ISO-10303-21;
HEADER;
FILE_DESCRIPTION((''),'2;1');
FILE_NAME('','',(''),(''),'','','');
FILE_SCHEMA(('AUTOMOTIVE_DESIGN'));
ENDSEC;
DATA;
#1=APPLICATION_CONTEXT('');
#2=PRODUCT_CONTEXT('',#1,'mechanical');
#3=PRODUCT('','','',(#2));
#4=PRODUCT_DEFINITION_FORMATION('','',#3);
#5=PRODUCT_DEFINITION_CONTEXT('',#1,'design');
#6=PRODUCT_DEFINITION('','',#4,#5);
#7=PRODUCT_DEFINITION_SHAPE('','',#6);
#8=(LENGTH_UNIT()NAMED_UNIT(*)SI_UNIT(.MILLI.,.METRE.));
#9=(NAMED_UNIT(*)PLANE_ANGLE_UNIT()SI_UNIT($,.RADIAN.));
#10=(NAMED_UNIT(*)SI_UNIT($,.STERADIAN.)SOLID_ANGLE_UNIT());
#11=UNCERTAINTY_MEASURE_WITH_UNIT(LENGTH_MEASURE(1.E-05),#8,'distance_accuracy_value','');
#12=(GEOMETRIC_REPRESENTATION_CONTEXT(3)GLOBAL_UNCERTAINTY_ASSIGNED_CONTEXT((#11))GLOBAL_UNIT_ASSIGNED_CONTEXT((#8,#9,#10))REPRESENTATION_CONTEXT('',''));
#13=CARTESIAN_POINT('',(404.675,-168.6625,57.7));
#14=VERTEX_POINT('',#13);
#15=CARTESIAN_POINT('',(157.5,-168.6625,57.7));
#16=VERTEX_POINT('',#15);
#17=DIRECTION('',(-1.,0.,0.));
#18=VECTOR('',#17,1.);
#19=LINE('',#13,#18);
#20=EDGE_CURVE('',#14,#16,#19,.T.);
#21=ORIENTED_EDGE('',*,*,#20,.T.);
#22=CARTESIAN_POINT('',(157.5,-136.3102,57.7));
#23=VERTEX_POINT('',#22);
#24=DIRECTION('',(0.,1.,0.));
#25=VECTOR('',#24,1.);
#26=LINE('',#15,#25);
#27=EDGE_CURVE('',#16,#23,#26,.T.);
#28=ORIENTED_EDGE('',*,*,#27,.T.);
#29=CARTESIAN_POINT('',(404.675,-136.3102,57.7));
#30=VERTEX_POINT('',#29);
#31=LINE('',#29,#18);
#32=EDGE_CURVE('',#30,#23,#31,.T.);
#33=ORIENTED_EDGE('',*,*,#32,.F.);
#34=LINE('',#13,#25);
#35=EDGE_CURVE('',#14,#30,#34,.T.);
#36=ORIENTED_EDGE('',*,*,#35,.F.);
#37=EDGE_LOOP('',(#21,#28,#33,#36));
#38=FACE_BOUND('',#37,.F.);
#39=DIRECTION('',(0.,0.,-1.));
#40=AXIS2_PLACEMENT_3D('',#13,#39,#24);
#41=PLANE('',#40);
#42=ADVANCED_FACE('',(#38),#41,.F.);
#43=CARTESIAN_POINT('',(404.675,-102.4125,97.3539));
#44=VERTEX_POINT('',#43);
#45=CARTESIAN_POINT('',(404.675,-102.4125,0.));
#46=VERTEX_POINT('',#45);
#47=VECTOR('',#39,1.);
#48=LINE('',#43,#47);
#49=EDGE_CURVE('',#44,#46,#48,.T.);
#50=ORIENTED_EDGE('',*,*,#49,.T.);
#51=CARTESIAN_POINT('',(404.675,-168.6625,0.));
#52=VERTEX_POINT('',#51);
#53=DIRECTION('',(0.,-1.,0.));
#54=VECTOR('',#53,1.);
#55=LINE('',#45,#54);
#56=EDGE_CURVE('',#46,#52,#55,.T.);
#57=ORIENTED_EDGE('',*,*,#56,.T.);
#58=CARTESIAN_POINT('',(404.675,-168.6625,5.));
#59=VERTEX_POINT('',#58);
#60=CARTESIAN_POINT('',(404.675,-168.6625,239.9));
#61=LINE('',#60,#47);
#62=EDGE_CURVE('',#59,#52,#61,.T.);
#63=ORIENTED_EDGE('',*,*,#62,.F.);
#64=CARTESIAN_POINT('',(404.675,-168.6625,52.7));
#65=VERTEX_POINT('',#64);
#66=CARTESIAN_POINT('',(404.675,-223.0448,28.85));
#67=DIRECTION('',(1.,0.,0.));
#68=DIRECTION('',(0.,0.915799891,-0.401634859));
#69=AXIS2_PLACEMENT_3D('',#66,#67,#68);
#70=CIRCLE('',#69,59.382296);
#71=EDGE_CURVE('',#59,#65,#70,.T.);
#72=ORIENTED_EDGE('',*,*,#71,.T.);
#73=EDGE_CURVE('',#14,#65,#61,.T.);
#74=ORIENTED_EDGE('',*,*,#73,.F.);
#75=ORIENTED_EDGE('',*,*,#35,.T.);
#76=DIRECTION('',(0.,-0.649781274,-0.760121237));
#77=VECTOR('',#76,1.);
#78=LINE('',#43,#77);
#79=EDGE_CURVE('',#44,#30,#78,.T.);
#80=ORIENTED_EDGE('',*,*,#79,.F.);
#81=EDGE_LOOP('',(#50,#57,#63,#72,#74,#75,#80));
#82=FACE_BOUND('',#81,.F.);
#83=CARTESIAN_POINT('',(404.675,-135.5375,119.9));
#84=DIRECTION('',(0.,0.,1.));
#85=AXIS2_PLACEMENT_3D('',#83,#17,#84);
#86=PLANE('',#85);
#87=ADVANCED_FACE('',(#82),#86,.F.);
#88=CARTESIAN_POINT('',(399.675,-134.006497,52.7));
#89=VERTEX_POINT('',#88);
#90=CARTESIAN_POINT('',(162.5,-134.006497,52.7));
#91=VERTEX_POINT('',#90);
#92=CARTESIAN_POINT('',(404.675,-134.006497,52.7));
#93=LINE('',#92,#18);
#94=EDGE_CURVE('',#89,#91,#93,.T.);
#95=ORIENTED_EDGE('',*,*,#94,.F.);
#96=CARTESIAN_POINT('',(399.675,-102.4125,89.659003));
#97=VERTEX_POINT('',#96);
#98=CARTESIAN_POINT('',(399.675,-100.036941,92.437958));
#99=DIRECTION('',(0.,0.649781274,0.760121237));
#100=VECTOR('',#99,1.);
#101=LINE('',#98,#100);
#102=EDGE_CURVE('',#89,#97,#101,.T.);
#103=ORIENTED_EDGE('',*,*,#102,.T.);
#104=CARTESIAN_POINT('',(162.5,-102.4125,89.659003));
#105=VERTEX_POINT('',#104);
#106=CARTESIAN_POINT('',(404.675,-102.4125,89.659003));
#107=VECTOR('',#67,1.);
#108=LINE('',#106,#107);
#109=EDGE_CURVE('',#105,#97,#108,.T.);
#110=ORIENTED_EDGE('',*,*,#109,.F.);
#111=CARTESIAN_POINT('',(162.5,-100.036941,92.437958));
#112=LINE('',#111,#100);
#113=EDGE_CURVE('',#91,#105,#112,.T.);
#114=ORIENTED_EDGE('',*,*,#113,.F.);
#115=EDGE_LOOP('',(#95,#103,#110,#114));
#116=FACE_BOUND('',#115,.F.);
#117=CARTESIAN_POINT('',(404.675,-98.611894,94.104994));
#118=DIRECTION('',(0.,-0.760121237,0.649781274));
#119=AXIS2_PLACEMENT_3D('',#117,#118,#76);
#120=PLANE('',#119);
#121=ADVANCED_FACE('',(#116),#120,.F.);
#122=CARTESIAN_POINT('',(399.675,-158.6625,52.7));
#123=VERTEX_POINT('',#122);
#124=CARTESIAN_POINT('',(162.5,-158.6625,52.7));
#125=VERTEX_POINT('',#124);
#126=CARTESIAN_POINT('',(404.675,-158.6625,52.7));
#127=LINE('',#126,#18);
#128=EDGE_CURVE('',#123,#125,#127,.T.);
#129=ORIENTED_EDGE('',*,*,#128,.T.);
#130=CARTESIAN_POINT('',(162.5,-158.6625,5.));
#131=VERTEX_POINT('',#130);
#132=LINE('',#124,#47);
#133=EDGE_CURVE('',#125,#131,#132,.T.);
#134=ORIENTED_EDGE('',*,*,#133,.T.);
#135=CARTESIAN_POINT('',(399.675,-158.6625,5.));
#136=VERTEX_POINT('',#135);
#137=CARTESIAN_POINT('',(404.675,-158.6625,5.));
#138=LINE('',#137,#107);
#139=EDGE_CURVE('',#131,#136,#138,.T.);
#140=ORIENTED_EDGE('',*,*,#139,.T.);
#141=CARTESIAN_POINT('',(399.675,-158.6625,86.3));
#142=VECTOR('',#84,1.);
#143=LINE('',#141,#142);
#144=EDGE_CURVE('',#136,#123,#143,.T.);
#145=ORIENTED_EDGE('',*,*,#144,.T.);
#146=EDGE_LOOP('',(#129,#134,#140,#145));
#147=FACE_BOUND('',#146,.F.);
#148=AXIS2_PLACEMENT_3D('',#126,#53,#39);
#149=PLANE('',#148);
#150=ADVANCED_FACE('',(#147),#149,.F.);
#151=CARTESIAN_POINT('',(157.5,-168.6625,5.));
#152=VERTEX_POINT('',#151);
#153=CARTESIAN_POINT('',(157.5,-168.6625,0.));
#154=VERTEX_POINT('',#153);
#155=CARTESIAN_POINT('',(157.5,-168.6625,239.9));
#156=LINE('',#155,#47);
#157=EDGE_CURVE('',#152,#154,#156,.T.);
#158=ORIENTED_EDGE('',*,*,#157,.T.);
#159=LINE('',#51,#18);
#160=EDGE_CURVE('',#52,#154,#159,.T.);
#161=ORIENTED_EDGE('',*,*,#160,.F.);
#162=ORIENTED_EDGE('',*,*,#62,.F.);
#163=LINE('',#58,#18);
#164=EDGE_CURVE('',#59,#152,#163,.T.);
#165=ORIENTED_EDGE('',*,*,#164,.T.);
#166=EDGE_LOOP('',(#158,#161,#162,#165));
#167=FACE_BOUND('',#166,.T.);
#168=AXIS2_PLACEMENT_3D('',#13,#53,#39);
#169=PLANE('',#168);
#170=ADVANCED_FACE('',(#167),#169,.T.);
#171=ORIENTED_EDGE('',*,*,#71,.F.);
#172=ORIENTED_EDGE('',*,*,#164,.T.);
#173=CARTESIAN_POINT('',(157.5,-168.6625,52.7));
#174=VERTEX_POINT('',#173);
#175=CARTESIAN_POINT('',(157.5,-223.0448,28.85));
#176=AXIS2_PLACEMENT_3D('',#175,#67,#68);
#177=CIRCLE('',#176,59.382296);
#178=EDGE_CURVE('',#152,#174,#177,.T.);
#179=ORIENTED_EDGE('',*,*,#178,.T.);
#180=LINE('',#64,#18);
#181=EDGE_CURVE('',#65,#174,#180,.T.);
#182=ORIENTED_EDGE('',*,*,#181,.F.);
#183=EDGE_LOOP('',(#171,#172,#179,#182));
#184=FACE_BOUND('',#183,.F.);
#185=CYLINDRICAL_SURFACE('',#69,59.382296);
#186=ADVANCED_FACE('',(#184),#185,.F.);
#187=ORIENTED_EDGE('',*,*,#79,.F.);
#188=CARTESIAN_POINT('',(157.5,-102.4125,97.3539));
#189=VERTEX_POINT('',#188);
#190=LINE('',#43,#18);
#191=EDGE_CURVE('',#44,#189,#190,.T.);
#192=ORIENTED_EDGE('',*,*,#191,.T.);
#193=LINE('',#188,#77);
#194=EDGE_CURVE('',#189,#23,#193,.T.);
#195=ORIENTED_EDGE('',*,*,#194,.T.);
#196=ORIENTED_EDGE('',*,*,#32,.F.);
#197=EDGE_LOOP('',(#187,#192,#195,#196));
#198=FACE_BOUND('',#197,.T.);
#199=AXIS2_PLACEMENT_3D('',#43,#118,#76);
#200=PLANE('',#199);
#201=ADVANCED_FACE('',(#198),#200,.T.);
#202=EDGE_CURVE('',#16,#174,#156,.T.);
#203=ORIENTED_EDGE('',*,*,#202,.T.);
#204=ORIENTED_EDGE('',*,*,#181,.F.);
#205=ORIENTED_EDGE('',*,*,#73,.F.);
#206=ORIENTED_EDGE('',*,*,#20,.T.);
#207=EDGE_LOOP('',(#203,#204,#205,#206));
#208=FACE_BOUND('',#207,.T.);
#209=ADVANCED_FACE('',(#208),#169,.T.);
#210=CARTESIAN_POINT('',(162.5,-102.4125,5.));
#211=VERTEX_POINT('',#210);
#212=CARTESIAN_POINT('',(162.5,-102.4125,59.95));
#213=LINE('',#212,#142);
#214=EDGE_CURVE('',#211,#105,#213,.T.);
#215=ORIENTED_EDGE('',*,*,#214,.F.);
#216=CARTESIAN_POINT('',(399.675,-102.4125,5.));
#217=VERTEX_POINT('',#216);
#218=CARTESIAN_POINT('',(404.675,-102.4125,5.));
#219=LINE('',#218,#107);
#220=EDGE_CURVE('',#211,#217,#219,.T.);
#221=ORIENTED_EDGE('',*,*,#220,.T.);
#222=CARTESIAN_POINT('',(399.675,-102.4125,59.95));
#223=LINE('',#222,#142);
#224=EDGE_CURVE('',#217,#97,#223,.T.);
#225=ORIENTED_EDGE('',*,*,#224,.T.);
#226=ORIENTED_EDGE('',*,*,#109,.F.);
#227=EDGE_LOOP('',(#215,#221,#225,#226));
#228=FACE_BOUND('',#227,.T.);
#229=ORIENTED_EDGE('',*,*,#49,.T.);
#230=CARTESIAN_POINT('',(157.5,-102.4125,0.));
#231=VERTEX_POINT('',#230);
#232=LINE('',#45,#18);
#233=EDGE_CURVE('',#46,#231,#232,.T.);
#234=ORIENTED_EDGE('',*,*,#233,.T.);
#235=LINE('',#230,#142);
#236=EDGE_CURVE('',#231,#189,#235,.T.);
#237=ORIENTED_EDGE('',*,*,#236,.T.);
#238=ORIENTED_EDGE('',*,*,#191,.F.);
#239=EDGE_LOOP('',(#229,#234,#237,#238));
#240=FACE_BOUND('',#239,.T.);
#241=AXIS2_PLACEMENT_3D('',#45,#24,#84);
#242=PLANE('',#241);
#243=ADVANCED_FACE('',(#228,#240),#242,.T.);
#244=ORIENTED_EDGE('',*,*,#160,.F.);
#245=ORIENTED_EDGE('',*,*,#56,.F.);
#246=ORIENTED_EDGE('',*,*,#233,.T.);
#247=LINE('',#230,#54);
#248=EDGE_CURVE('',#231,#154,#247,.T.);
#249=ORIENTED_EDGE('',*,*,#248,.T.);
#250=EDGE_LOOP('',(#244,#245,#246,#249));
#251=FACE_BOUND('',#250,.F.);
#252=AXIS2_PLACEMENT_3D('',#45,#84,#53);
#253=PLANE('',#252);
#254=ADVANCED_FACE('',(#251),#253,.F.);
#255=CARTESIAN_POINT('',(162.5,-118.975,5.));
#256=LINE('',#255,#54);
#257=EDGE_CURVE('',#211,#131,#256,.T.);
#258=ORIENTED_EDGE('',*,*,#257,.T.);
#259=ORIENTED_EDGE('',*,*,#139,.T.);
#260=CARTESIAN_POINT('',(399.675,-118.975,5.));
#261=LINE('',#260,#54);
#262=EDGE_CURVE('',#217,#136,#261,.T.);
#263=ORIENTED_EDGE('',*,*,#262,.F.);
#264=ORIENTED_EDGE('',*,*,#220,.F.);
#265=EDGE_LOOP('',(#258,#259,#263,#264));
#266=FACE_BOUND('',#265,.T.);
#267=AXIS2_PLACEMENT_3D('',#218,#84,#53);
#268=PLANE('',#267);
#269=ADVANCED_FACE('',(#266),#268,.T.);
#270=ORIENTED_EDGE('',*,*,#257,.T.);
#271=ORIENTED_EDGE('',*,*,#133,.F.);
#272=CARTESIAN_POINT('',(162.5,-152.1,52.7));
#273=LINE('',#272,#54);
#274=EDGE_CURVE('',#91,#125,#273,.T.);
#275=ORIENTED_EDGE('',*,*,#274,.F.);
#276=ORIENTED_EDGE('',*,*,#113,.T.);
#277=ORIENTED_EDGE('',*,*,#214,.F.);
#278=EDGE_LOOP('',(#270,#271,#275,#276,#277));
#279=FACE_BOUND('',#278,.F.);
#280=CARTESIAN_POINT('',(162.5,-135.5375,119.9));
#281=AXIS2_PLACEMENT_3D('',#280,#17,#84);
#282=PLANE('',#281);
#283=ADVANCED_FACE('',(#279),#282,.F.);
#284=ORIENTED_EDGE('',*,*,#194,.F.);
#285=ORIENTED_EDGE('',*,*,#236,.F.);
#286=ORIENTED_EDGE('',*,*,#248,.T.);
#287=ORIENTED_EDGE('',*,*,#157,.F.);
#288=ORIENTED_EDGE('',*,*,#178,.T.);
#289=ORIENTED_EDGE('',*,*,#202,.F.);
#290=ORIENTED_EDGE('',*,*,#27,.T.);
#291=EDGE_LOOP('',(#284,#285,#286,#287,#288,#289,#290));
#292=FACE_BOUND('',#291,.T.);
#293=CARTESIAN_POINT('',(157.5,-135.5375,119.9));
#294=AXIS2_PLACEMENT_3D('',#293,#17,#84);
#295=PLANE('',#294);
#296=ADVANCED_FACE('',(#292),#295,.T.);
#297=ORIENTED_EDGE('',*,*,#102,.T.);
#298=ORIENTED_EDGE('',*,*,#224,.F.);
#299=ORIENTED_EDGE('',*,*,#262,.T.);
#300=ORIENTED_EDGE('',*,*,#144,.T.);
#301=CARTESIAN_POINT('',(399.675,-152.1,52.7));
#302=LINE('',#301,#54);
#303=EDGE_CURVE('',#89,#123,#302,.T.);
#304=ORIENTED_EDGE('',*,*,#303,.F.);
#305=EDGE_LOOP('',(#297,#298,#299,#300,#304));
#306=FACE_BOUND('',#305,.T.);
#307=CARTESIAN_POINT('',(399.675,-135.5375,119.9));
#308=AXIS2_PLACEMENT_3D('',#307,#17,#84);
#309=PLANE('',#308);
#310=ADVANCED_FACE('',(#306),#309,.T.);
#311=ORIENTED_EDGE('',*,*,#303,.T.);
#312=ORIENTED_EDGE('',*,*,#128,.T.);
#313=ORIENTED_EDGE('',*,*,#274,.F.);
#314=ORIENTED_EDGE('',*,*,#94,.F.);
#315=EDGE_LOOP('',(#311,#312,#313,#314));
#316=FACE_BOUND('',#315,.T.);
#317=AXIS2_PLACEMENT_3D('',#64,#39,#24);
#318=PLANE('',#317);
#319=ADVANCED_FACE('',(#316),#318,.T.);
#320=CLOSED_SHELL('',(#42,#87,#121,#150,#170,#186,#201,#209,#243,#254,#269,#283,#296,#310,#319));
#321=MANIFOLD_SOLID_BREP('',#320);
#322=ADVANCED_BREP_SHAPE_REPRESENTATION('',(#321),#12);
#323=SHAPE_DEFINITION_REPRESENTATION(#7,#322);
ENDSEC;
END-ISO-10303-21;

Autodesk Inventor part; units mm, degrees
ref_plane "YZ Plane" through (0, 0, 0) normal (1, 0, 0) x (0, 1, 0)
ref_plane "XZ Plane" through (0, 0, 0) normal (0, 1, 0) x (-1, 0, 0)
ref_plane "XY Plane" through (0, 0, 0) normal (0, 0, 1) x (1, 0, 0)
ref_plane "Work Plane1" through (0, 0, 0) normal (0, 0, 1) x (1, 0, 0)
ref_plane "Work Plane2" through (157.5, -135.5375, 119.9) normal (1, 0, 0) x (0, 0, -1)
ref_plane "Work Plane3" through (404.675, -135.5375, 119.9) normal (-1, 0, 0) x (0, 0, 1)
sketch "Sketch2" plane through (404.675, -135.5375, 119.9) normal (-1, 0, 0) x (0, 0, 1)
  line L0 (-120, -33.125) -> (-120, 33.125) projected
  line L1 (120, -33.125) -> (-120, -33.125) projected
  line L2 (120, 33.125) -> (120, -33.125) projected
  line L3 (-120, 33.125) -> (120, 33.125) projected
  circle A0 centre (7, 26.125) radius 1.95 projected
  circle A1 centre (113, -26.875) radius 1.95 projected
  circle A2 centre (113, 12.125) radius 1.95 projected
  circle A3 centre (99, 26.125) radius 1.95 projected
  circle A4 centre (-55, -26.875) radius 1.95 projected
  line L4 (0.75, 33.125) -> (-62, -20.125) projected
  line L5 (-50.0649, 0.1287) -> (-21.3323, 24.6904) projected
  line L6 (-11.7313, 32.1577) -> (-59.0108, -8.2587) projected
  line L7 (-62, -22.3139) -> (-62, -29.97) projected
  line L8 (-119.9, -33.125) -> (-62.2, -33.125)
  line L9 (-62.2, -33.125) -> (-62.2, 33.125)
  line L10 (-62.2, 33.125) -> (-119.9, 33.125)
  line L11 (-119.9, 33.125) -> (-119.9, -33.125)
  line L12 (-62.2, 33.125) -> (-22.5461, 33.125)
  line L13 (-22.5461, 33.125) -> (-62.2, -0.7727)
  line L14 (-50.1997, 8.8278) -> (-29.9045, 26.1769) projected
  point P0 (-119.9, 135.5375)
  point P1 (-119.9, 33.125)
  point P2 (-119.9, -33.125)
  point P3 (-62.2, -33.125)
  dimension "d2" = 0.1
  dimension "d3" = 0.2
  dimension "d16" = 0.5
extrude "Extrusion1" add sketch "Sketch2" along normal up to surface (247.175 mm away) contours L11 L3 L9 L1 | L3 L13 L9
shell "Shell1" thickness 5 removed faces 1 at (322.2833, -102.4125, 64.9026)
sketch "Sketch3" plane through (404.675, -135.5375, 119.9) normal (1, 0, 0) x (0, 0, -1)
  line L0 (114.9, -28.125) -> (67.2, -28.125) projected
  line L1 (67.2, -28.125) -> (67.2, 1.531) projected
  line L2 (115, 28.125) -> (115, -28.125) projected
  line L3 (67.2, -23.125) -> (115, -23.125)
  line L4 (115, -23.125) -> (115, -28.125)
  line L5 (115, -28.125) -> (67.2, -28.125)
  line L6 (67.2, -28.125) -> (67.2, -23.125)
  point P0 (119.9, 135.5375)
  point P1 (115, -23.125)
  dimension "d8" = 5
extrude "Extrusion2" add sketch "Sketch3" against normal up to surface (242.175 mm away)
sketch "Sketch4" plane through (404.675, -135.5375, 119.9) normal (1, 0, 0) x (0, 0, -1)
  line L0 (119.9, -33.125) -> (62.2, -33.125) projected
  arc A0 (114.9, -33.125) -> (67.2, -33.125) centre (91.05, -87.5073) ccw
  point P0 (119.9, 135.5375)
  point P1 (91.05, -28.125)
  point P2 (91.05, -33.125)
  dimension "d12" = 5
  dimension "d13" = 5
extrude "Extrusion3" cut sketch "Sketch4" against normal through all
properties part number "sump"
